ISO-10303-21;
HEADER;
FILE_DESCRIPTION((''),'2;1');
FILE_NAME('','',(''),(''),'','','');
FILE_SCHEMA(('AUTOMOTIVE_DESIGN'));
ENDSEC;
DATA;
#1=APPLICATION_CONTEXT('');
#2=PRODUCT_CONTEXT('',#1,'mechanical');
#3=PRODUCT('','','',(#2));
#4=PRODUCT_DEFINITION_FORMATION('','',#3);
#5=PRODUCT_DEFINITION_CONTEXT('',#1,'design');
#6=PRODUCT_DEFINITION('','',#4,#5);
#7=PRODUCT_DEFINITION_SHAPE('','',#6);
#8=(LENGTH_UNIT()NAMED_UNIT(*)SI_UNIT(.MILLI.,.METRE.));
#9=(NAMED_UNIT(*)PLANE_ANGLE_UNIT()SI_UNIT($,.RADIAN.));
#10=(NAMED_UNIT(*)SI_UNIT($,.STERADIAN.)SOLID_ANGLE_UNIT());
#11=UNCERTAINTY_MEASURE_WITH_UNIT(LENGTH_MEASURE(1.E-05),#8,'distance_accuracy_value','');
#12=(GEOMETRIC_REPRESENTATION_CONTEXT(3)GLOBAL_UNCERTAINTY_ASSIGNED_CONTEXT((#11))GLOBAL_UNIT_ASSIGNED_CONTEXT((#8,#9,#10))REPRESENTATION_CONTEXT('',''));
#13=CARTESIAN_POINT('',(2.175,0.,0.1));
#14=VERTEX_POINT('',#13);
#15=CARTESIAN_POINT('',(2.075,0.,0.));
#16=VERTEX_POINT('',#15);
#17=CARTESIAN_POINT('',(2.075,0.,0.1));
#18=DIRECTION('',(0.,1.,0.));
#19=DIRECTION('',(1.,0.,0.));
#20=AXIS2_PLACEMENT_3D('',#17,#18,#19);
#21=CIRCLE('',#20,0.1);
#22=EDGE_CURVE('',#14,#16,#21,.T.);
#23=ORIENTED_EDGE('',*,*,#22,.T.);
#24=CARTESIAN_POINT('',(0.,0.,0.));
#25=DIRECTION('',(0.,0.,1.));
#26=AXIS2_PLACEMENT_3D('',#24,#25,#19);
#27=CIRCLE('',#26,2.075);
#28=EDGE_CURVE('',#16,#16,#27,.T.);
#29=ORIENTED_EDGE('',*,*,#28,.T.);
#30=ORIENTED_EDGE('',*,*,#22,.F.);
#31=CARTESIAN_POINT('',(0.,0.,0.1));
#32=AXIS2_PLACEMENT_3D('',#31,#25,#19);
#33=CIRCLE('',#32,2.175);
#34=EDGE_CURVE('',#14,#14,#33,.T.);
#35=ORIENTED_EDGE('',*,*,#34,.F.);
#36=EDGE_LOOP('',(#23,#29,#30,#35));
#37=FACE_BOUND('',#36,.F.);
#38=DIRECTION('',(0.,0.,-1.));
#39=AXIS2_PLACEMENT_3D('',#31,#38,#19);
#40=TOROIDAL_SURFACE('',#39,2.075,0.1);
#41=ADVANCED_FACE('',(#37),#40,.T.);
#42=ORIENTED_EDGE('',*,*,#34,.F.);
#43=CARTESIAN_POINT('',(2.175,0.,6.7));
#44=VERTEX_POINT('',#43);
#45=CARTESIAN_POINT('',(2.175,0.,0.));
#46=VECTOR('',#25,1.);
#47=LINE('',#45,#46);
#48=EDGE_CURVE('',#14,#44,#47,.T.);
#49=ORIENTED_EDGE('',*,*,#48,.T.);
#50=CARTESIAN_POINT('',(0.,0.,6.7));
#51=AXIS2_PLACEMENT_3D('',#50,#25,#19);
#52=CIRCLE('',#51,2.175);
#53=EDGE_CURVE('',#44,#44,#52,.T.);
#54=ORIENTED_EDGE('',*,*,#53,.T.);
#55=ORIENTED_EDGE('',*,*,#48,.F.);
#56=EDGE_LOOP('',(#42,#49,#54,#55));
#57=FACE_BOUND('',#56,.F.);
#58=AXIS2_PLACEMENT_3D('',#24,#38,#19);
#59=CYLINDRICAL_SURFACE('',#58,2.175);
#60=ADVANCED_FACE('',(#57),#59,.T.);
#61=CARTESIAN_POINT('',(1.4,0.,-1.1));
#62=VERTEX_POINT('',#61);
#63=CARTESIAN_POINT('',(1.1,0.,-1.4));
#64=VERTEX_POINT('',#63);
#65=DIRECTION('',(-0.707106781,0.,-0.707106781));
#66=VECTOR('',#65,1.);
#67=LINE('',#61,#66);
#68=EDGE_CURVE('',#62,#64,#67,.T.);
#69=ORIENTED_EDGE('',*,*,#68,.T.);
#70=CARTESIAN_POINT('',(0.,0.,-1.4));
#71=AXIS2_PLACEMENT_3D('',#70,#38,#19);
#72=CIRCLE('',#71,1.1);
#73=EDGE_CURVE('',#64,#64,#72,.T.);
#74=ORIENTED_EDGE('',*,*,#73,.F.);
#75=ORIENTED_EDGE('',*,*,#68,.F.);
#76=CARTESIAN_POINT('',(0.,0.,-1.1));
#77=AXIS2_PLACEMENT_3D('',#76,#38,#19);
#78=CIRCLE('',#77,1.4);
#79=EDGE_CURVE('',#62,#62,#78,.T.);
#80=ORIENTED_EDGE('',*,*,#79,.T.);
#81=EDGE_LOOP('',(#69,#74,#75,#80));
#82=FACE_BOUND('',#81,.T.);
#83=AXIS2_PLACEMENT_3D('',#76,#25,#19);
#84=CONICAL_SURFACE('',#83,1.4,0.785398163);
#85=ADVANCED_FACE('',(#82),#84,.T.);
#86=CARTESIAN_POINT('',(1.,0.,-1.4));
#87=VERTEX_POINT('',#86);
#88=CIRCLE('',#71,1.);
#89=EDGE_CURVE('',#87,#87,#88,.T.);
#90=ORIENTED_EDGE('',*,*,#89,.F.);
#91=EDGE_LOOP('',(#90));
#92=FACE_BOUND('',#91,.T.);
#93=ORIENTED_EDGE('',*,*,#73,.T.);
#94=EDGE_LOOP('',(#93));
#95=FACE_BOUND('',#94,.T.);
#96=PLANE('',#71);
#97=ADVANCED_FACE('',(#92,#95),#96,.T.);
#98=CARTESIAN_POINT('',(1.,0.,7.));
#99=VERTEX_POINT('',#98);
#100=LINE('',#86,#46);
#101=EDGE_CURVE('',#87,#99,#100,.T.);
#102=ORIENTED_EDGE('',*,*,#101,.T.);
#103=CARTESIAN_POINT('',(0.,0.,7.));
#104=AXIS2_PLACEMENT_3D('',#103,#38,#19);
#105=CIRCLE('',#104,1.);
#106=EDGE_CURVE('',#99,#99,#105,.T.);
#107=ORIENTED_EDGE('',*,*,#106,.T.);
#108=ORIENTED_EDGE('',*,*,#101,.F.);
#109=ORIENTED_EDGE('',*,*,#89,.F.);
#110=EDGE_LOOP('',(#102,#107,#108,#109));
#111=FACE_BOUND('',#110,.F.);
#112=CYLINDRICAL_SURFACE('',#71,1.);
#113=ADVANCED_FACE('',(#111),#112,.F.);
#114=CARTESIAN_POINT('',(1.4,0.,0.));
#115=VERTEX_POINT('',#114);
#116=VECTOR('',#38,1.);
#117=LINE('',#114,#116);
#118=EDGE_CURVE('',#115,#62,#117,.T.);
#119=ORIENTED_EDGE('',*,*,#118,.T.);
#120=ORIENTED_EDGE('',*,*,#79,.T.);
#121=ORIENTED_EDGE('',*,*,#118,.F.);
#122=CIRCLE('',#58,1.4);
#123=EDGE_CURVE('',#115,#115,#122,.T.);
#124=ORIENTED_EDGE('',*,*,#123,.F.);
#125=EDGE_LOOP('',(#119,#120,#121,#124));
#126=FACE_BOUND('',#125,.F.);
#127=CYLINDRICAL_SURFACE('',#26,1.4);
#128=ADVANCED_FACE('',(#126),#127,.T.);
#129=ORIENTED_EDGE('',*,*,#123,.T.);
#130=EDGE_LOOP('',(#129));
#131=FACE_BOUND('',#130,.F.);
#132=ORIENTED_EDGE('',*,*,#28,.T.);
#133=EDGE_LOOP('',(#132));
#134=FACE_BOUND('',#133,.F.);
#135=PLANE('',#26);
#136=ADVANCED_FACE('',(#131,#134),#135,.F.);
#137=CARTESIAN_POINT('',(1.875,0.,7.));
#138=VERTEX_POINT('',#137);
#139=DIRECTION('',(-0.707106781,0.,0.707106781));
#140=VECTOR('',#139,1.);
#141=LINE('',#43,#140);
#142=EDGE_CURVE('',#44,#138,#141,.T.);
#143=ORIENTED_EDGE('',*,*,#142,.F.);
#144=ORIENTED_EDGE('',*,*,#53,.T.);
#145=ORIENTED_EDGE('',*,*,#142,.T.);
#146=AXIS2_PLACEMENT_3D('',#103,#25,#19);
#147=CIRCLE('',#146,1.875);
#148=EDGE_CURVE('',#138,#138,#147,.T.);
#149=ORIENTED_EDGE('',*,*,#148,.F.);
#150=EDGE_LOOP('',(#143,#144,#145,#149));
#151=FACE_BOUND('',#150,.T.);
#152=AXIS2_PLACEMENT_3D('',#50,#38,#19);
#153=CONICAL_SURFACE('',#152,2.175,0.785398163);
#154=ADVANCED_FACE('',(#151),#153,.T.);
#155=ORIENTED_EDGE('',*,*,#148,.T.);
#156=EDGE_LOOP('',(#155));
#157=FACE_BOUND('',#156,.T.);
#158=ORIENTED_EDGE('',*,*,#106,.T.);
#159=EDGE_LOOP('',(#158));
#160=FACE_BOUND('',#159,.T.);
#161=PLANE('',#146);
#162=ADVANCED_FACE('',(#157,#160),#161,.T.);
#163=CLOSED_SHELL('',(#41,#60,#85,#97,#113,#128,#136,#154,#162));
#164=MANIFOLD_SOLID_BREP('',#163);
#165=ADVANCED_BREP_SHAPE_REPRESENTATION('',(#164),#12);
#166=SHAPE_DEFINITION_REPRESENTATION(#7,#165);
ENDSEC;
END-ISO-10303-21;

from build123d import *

# Parameters (mm, degrees)
SKETCH_R        = 2.175
PAD_DEPTH       = 7
SKETCH001_R     = 1.4
PAD001_DEPTH    = 1.4
SKETCH002_R     = 1
POCKET_DEPTH    = 8.401
CHAMFER_SIZE    = 0.3
CHAMFER001_SIZE = 0.3
FILLET_R        = 0.1


with BuildPart() as part:
    # Sketch → Pad (new body)
    with BuildSketch(Plane.XY):
        Circle(SKETCH_R)
    extrude(amount=PAD_DEPTH)

    # Sketch001 (on Face2 of Pad) → Pad001 (join)
    with BuildSketch(Plane(origin=(0, 0, 0), x_dir=(1, 0, 0), z_dir=(0, 0, -1))):
        Circle(SKETCH001_R)
    extrude(amount=PAD001_DEPTH)

    # Sketch002 (on Face5 of Pad001) → Pocket (cut, through all)
    with BuildSketch(Plane(origin=(0, 0, -1.4), x_dir=(1, 0, 0), z_dir=(0, 0, -1))):
        Circle(SKETCH002_R)
    extrude(amount=-POCKET_DEPTH, mode=Mode.SUBTRACT)

    # Chamfer
    chamfer_edges = [part.edges().sort_by_distance(p)[0] for p in [
        (-1.4, 0, -1.4),
    ]]
    chamfer(chamfer_edges, length=CHAMFER_SIZE)

    # Chamfer001
    chamfer001_edges = [part.edges().sort_by_distance(p)[0] for p in [
        (-2.175, 0, 7),
    ]]
    chamfer(chamfer001_edges, length=CHAMFER001_SIZE)

    # Fillet
    fillet_edges = [part.edges().sort_by_distance(p)[0] for p in [
        (-2.175, 0, 0),
    ]]
    fillet(fillet_edges, radius=FILLET_R)


solid = part.part
